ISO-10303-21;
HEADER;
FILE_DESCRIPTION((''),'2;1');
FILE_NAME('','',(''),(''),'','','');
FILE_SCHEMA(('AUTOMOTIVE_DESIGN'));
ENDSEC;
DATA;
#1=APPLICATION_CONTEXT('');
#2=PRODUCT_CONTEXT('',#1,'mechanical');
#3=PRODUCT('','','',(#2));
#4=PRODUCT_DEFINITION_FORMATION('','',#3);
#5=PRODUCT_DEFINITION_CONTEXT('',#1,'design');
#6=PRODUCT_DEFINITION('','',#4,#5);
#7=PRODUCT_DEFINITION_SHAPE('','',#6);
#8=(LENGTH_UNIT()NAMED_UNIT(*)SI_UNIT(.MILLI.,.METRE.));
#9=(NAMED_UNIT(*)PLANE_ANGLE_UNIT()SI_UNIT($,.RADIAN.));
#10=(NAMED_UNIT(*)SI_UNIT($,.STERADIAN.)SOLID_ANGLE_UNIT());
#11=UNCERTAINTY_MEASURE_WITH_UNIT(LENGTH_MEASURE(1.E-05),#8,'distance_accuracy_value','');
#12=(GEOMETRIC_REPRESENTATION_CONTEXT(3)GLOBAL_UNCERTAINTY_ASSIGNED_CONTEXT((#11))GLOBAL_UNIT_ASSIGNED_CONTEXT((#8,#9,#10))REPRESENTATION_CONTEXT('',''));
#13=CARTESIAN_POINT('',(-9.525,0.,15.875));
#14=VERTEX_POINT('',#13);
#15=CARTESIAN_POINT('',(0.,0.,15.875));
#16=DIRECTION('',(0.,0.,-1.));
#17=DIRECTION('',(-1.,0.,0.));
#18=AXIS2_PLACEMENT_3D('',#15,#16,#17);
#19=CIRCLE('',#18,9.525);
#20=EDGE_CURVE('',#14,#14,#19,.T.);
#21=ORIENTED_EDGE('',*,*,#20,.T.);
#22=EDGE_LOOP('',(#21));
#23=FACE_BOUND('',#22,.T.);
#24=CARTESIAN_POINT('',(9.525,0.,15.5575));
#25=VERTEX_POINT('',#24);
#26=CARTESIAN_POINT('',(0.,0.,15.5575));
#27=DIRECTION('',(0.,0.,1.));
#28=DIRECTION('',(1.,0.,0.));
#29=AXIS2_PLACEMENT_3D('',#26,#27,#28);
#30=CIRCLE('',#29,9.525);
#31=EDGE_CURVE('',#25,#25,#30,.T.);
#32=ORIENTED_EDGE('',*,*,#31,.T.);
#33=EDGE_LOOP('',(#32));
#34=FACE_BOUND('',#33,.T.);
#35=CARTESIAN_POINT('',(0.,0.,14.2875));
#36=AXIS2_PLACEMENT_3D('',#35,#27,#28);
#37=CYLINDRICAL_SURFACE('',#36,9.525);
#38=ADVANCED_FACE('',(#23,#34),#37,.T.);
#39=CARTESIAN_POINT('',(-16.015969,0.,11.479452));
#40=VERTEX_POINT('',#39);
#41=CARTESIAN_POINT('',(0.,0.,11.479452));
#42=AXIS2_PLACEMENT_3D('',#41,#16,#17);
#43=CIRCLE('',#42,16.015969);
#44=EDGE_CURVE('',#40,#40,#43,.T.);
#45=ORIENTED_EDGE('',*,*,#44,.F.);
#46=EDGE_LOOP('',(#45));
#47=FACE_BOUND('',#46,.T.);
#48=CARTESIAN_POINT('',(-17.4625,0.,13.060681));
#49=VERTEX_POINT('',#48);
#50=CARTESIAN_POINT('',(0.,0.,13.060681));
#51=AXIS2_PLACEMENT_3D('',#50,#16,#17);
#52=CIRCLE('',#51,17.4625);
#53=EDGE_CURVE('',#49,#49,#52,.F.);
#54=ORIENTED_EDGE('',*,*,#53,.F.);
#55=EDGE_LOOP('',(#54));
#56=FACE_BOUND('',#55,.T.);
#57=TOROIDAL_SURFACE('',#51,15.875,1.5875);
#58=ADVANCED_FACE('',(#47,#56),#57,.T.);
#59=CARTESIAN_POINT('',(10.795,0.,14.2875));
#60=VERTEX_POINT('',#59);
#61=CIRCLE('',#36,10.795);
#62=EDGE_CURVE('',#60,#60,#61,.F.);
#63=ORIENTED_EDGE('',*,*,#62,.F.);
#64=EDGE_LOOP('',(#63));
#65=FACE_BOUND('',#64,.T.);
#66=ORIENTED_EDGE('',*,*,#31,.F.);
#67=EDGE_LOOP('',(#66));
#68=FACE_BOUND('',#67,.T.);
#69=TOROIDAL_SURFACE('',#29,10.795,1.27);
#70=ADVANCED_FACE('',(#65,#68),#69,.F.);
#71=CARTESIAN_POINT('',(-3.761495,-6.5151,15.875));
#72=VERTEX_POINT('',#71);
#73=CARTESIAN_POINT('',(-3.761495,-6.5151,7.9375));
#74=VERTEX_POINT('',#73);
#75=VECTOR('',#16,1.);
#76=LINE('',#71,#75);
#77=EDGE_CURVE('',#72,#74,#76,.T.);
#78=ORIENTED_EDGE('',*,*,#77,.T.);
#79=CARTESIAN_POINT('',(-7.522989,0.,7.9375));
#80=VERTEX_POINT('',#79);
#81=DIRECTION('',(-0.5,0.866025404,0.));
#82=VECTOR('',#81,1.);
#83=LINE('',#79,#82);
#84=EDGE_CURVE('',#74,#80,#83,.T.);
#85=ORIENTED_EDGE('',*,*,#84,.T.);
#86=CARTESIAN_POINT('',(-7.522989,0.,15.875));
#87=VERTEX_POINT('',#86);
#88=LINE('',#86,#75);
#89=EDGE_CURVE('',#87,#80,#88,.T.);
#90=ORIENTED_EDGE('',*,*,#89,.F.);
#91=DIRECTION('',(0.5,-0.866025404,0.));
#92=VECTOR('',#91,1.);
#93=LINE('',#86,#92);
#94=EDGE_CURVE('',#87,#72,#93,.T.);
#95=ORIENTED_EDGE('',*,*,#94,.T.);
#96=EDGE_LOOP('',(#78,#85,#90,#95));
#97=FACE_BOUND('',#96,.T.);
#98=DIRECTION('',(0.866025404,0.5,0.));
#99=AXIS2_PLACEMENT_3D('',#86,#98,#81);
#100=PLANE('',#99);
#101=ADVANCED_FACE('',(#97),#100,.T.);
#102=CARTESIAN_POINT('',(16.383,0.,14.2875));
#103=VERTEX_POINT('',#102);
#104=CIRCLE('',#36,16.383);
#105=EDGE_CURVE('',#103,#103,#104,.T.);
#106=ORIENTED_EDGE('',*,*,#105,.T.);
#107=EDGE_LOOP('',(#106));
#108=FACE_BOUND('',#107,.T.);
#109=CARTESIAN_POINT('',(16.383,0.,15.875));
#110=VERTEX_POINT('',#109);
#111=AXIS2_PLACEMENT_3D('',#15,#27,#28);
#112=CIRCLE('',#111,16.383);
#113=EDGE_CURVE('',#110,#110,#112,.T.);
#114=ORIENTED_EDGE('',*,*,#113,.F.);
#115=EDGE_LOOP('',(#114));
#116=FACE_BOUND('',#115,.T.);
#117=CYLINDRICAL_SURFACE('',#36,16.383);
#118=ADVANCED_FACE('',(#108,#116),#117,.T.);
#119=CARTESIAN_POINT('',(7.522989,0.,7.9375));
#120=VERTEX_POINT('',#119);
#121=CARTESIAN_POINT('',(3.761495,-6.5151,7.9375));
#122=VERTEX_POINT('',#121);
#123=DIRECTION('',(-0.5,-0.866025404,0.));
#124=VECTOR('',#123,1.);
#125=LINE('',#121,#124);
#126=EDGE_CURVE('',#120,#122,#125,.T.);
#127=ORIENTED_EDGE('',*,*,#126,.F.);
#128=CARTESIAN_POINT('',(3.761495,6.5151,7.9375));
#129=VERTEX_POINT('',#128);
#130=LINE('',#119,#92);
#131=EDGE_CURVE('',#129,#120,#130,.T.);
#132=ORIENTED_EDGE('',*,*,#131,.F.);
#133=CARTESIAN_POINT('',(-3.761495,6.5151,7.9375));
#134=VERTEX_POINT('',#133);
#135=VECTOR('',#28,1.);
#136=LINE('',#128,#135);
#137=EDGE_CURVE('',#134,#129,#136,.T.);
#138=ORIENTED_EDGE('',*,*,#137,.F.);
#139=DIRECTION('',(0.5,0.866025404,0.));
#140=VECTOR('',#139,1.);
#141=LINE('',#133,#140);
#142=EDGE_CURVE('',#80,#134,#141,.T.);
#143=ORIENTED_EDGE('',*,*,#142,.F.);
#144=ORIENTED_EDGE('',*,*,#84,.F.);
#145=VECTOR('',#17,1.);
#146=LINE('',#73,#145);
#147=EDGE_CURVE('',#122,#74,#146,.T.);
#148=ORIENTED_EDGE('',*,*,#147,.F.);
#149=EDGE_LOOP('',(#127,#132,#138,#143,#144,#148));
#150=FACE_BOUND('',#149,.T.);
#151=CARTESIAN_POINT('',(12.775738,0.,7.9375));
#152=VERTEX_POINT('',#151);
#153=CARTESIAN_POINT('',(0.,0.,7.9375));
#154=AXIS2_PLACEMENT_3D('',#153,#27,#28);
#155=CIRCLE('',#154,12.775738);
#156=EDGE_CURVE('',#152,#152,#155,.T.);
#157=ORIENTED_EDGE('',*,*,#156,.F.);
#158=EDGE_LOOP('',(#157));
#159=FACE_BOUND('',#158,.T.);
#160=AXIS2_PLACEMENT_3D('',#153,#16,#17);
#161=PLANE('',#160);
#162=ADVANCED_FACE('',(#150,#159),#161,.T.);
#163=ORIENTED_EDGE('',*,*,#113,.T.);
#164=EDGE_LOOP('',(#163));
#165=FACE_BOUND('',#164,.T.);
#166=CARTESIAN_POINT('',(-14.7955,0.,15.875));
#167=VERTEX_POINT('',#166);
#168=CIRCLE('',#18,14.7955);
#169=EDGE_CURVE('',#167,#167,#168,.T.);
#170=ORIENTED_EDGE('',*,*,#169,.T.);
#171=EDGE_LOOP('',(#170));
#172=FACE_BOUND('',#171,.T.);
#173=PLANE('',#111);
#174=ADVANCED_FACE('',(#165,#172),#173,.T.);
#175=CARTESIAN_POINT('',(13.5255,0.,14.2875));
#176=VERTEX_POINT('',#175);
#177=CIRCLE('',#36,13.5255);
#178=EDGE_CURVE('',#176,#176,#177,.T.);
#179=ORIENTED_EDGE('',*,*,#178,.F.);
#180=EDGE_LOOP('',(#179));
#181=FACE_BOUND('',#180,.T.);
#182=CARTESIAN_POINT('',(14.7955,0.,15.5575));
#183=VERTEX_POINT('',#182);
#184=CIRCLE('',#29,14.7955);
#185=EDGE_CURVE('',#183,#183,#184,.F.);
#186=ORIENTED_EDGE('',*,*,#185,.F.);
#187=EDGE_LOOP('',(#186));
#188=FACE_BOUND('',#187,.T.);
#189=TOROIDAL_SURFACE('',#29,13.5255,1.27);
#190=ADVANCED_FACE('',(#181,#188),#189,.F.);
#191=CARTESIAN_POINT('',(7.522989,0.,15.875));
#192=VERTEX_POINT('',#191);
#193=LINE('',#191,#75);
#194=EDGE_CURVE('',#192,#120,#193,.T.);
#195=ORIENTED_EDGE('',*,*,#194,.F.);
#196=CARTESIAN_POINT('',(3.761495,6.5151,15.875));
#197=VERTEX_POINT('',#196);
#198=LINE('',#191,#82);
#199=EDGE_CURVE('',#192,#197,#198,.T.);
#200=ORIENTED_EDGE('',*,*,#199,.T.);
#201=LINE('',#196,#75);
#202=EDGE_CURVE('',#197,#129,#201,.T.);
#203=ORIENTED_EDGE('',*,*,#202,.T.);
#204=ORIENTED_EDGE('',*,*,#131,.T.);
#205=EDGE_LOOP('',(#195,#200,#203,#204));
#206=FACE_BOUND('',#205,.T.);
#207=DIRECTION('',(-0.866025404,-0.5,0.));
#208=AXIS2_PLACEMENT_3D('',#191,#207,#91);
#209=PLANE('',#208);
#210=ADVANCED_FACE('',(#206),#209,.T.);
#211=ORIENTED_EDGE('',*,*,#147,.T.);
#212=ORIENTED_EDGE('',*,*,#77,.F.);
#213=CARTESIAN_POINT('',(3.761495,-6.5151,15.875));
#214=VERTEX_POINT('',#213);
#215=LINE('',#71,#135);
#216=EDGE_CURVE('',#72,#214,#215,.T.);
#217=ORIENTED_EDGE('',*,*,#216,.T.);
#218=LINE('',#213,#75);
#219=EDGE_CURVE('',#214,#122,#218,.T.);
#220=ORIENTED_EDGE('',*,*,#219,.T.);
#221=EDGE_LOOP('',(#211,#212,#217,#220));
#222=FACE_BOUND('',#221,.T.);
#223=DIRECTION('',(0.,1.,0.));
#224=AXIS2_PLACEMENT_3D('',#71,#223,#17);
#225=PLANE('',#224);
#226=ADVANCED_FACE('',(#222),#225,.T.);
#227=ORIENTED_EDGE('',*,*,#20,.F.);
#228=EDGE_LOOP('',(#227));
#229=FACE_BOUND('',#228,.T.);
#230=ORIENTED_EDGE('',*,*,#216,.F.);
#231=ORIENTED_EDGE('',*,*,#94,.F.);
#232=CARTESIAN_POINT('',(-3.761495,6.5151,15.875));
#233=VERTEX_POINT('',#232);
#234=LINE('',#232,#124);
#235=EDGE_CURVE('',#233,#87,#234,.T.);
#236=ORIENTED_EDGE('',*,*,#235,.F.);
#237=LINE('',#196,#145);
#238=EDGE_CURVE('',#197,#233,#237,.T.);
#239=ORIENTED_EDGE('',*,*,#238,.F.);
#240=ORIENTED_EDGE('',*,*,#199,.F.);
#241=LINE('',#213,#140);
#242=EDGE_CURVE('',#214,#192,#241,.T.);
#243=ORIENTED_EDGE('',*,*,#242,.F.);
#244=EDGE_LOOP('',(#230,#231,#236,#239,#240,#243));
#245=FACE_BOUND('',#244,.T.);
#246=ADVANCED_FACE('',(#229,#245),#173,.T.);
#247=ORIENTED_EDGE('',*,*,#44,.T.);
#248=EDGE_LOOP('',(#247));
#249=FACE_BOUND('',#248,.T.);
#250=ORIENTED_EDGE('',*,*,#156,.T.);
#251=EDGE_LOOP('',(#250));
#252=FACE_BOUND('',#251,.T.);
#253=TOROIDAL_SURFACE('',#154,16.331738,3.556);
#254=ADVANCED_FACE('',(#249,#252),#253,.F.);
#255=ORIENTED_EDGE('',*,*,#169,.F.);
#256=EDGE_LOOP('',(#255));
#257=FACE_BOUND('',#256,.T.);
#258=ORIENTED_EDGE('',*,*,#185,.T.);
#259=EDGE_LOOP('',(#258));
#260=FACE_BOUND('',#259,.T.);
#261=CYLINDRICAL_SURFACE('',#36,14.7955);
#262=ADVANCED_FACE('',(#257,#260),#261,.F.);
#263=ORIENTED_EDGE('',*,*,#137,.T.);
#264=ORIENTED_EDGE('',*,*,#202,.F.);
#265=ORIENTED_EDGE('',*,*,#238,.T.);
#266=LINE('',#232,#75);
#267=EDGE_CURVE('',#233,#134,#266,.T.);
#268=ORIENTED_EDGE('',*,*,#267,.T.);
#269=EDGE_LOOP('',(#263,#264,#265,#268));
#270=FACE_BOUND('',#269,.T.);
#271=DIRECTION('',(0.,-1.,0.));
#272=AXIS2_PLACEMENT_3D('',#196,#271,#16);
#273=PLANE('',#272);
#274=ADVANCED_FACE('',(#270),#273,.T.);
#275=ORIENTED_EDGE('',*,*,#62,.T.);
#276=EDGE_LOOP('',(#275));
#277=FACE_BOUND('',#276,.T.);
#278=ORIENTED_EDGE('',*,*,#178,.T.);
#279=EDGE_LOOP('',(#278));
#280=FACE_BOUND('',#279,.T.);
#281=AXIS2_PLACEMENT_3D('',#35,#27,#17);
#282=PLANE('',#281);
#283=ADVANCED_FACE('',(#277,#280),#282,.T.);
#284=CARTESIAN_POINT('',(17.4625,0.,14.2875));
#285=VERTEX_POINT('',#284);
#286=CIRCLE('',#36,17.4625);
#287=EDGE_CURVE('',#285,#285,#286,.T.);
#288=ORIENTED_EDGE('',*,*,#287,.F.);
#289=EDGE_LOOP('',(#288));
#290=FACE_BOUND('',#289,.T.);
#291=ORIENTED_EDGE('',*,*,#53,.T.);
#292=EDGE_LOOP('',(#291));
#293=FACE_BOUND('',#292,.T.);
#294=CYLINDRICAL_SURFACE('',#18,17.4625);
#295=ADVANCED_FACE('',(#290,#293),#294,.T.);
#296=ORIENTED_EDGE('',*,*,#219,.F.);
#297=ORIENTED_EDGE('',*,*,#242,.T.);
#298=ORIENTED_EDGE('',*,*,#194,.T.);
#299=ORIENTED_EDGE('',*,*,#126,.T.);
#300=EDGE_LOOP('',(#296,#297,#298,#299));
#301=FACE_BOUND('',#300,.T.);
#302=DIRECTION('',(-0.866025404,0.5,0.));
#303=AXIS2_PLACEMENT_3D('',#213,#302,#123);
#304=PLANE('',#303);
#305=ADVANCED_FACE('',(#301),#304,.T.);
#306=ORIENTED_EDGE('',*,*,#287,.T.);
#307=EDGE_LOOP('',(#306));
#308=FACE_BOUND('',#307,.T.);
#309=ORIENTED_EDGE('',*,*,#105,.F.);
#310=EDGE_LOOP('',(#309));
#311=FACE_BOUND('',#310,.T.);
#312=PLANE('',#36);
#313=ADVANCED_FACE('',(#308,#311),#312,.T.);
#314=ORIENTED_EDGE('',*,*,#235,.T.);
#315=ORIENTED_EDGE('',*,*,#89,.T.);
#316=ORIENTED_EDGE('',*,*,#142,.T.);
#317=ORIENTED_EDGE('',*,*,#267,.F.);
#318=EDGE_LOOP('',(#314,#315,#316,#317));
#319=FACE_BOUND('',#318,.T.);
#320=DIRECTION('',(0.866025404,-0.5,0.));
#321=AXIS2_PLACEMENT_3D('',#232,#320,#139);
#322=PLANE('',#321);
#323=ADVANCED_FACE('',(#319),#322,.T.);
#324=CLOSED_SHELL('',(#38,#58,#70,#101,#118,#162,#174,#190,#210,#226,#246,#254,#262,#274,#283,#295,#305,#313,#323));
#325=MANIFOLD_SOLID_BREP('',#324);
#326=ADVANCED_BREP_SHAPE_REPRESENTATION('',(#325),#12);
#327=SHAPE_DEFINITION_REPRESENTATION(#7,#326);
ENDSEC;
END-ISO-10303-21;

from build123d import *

# Parameters (mm, degrees)
SKETCH1_R                         = 17.4625
HEX_AXEL_CUTOUT_OUTSIDE_RIM_DEPTH = 15.875
SKETCH3_R                         = 19.05
SKETCH3_R_2                       = 16.383
PIPE_STEP_DEPTH                   = 1.5875
SKETCH5_R                         = 14.7955
SKETCH5_R_2                       = 9.525
SPOKE_STEP_DEPTH                  = 1.5875
FILLET1_R                         = 1.27
FILLET2_R                         = 1.5875
SKETCH7_W                         = 50.409195303
SKETCH7_H                         = 73.287011446
MIDCUT_DEPTH                      = 8.9375


with BuildPart() as part:
    # Sketch1 → Hex Axel Cutout & Outside Rim (new body)
    with BuildSketch(Plane.XY):
        Circle(SKETCH1_R)
        Polygon((-7.522989478, 0), (-3.761494739, -6.5151), (3.761494739, -6.5151), (7.522989478, 0), (3.761494739, 6.5151), (-3.761494739, 6.5151), align=None, mode=Mode.SUBTRACT)
    extrude(amount=HEX_AXEL_CUTOUT_OUTSIDE_RIM_DEPTH)

    # Sketch3 → Pipe Step (cut)
    with BuildSketch(Plane.XY.offset(15.875)):
        Circle(SKETCH3_R)
        Circle(SKETCH3_R_2, mode=Mode.SUBTRACT)
    pipe_step = extrude(amount=-PIPE_STEP_DEPTH, mode=Mode.SUBTRACT)

    # Step Mirror: Pipe Step across plane
    add(pipe_step.mirror(Plane.XY.offset(7.9375)), mode=Mode.SUBTRACT)

    # Sketch4 → Poly Cord Groove (revolve, cut)
    with BuildSketch(Plane(origin=(0, 0, 0), x_dir=(0, 0, -1), z_dir=(1, 0, 0))):
        with BuildLine():
            Line((-4.3815, 16.331738244), (-4.3815, 17.4625))
            Line((-4.3815, 17.4625), (-11.4935, 17.4625))
            Line((-11.4935, 17.4625), (-11.4935, 16.331738244))
            ThreePointArc((-11.4935, 16.331738244), (-7.9375, 12.775738244), (-4.3815, 16.331738244))
        make_face()
    revolve(axis=Axis((0, 0, 14.2875), (0, 0, -1)), mode=Mode.SUBTRACT)

    # Sketch5 → Spoke Step (cut)
    with BuildSketch(Plane(origin=(0, 0, 0), x_dir=(-1, 0, 0), z_dir=(0, 0, -1))):
        Circle(SKETCH5_R)
        Circle(SKETCH5_R_2, mode=Mode.SUBTRACT)
    spoke_step = extrude(amount=-SPOKE_STEP_DEPTH, mode=Mode.SUBTRACT)

    # Spoke Step Mirror: Spoke Step across plane
    add(spoke_step.mirror(Plane.XY.offset(7.9375)), mode=Mode.SUBTRACT)

    # Fillet1
    fillet1_edges = [part.edges().sort_by_distance(p)[0] for p in [
        (14.7955, 0, 1.5875),
        (9.525, 0, 1.5875),
        (14.7955, 0, 14.2875),
        (9.525, 0, 14.2875),
    ]]
    fillet(fillet1_edges, radius=FILLET1_R)

    # Fillet2
    fillet2_edges = [part.edges().sort_by_distance(p)[0] for p in [
        (-17.4625, 0, 4.3815),
        (-17.4625, 0, 11.4935),
    ]]
    fillet(fillet2_edges, radius=FILLET2_R)

    # Sketch7 → MidCut (cut, through all)
    with BuildSketch(Plane.XY.offset(7.9375)):
        with Locations((-1.207308933, -3.38321392)):
            Rectangle(SKETCH7_W, SKETCH7_H)
    extrude(amount=-MIDCUT_DEPTH, mode=Mode.SUBTRACT)


solid = part.part
